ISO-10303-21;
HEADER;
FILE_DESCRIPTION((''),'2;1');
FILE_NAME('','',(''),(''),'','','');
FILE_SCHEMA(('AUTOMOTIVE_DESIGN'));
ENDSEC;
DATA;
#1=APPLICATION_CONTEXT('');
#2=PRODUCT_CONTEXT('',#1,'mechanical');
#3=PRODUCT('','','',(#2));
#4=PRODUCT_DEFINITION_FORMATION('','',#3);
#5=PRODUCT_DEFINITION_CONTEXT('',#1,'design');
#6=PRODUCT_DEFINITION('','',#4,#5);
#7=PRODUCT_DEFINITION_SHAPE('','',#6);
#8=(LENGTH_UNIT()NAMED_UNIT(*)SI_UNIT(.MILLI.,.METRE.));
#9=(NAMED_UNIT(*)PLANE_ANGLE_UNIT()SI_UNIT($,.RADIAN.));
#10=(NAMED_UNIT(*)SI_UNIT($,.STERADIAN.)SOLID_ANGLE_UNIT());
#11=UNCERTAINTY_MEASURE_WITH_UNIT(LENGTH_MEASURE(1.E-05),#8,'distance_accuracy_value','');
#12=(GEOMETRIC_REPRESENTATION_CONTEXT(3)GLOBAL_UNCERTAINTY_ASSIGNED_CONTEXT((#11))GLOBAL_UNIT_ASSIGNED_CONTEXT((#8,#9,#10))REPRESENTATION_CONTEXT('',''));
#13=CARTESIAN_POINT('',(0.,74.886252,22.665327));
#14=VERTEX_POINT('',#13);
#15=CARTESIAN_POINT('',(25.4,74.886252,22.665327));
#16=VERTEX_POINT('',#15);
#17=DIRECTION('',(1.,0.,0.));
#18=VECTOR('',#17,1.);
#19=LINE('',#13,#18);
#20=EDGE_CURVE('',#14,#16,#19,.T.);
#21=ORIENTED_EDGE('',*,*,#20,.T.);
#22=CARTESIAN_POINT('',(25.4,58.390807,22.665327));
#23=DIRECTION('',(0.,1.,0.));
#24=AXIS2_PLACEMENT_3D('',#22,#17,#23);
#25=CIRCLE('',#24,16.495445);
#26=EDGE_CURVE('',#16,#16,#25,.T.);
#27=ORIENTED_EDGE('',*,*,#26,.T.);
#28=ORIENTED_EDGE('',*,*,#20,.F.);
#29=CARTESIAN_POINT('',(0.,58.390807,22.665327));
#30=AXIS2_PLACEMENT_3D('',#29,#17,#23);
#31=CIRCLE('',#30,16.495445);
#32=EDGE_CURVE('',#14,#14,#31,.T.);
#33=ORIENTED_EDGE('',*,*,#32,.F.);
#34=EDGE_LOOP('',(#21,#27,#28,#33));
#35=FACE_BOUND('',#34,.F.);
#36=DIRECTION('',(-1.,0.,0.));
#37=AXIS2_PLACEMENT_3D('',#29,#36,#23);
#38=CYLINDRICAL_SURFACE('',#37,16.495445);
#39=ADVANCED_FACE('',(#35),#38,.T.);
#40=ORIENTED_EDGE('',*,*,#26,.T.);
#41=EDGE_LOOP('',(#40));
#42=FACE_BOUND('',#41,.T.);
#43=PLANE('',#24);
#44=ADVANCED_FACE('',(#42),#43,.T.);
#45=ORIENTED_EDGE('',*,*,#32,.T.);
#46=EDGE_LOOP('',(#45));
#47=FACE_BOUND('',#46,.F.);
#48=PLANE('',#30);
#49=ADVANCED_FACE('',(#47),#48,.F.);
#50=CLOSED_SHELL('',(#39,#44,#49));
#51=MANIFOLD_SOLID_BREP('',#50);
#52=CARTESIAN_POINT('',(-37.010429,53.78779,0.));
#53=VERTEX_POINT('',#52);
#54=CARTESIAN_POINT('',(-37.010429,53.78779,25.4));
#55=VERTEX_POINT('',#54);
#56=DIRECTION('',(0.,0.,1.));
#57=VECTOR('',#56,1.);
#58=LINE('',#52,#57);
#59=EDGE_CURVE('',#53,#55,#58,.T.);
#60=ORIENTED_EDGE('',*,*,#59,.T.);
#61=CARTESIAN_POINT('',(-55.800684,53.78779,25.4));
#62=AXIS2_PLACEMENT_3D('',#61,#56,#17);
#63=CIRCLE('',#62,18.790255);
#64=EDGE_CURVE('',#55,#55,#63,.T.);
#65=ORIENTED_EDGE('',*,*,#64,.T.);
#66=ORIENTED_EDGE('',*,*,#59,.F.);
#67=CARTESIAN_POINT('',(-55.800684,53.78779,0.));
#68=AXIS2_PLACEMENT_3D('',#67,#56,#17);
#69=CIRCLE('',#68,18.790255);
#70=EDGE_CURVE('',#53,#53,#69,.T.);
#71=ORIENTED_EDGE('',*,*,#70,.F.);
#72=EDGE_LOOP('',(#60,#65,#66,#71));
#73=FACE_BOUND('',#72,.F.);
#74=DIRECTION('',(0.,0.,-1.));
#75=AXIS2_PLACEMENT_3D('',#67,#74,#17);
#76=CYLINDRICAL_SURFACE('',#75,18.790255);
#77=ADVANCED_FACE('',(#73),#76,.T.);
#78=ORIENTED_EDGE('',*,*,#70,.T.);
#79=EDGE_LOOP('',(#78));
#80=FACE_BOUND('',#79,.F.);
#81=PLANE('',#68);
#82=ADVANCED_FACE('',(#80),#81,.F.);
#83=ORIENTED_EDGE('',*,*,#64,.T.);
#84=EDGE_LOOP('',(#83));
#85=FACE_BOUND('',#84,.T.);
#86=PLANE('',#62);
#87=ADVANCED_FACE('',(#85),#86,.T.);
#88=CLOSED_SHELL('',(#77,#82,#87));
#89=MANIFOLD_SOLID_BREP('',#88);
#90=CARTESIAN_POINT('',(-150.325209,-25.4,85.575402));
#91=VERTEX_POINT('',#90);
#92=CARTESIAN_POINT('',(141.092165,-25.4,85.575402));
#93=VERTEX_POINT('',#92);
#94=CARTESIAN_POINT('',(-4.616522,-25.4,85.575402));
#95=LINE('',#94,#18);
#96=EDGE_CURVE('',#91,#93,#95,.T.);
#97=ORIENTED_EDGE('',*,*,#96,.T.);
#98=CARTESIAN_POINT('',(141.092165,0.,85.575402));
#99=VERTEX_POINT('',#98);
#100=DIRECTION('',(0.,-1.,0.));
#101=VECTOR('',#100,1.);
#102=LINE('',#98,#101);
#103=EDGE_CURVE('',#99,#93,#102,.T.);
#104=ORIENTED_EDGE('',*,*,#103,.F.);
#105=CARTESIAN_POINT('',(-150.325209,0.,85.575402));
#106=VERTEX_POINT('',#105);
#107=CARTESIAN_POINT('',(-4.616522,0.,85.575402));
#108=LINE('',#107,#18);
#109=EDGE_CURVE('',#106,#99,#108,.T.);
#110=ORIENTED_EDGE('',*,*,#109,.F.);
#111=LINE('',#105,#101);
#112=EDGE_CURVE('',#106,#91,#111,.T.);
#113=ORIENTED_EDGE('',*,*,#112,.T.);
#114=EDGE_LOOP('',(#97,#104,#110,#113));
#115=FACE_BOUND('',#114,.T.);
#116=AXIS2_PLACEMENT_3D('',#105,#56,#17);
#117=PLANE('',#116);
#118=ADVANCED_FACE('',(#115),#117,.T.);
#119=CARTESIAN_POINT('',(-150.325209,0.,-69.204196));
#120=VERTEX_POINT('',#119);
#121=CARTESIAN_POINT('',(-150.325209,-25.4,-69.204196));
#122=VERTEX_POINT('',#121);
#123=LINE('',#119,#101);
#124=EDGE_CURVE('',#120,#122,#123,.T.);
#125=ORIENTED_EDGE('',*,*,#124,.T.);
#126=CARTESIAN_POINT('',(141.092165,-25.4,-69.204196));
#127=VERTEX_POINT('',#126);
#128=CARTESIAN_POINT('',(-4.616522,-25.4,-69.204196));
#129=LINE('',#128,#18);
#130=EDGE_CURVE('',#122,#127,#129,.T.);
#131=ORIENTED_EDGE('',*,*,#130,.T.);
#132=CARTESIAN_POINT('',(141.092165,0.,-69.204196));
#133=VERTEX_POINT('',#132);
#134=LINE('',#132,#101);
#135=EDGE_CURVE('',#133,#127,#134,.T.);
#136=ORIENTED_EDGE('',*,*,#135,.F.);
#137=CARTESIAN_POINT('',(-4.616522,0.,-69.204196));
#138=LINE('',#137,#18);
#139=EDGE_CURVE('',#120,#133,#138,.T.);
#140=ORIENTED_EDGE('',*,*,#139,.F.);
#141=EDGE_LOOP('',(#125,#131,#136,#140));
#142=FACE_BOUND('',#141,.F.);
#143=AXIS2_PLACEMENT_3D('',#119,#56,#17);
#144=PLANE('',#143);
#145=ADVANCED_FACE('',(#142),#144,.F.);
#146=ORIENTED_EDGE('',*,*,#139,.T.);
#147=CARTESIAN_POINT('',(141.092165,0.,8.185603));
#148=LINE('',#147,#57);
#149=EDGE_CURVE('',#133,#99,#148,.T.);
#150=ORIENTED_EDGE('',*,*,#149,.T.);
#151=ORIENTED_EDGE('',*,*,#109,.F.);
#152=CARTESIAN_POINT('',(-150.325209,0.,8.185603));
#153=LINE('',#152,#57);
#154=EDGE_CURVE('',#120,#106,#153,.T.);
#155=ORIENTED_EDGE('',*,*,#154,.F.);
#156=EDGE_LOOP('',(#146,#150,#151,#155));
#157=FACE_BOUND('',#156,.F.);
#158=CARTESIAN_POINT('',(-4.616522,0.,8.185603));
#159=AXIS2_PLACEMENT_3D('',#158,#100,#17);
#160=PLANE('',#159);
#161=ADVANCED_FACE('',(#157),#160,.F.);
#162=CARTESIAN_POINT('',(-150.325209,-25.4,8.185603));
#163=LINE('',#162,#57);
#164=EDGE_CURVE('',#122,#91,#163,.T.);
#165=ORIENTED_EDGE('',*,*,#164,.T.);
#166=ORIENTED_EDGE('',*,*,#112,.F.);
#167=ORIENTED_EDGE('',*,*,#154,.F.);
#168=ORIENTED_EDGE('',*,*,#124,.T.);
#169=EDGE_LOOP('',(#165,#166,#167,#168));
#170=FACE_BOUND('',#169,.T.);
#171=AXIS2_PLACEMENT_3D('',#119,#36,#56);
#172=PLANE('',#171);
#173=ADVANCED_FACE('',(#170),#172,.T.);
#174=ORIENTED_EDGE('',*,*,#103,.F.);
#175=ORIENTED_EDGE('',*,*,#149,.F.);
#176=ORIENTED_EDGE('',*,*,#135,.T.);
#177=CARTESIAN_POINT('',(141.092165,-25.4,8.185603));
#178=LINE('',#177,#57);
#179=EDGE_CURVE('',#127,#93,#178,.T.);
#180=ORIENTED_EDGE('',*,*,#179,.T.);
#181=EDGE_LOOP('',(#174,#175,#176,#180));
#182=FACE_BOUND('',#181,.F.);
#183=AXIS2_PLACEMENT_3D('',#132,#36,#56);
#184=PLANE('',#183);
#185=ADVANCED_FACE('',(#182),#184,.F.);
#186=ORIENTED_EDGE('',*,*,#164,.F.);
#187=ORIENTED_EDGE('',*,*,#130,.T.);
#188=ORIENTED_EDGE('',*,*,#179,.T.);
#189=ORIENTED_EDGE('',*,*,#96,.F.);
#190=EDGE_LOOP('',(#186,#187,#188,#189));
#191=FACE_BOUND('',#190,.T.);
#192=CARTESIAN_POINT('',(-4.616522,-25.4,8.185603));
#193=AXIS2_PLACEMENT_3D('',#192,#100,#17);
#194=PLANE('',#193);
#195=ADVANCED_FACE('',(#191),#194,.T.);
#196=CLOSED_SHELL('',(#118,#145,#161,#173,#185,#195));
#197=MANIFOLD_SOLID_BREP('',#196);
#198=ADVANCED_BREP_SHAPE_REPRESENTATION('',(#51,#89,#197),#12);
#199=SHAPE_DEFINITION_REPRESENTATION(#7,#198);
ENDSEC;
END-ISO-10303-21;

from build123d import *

# Parameters (mm, degrees)
F0_W     = 291.417375
F0_H     = 154.779598
F1_DEPTH = 25.4
F2_R     = 16.495445
F3_DEPTH = 25.4
F4_R     = 18.790255
F5_DEPTH = 25.4


with BuildPart() as f1:
    # F0 (on Front) → F1 (new body)
    with BuildSketch(Plane.XZ):
        with Locations((-4.616522, 8.185603)):
            Rectangle(F0_W, F0_H)
    extrude(amount=F1_DEPTH)


with BuildPart() as f3:
    # F2 (on Right) → F3 (new body)
    with BuildSketch(Plane.YZ):
        with Locations((58.390807, 22.665327)):
            Circle(F2_R)
    extrude(amount=F3_DEPTH)


with BuildPart() as f5:
    # F4 (on Top) → F5 (new body)
    with BuildSketch(Plane.XY):
        with Locations((-55.800684, 53.78779)):
            Circle(F4_R)
    extrude(amount=F5_DEPTH)


solid = Compound([f1.part, f3.part, f5.part])
